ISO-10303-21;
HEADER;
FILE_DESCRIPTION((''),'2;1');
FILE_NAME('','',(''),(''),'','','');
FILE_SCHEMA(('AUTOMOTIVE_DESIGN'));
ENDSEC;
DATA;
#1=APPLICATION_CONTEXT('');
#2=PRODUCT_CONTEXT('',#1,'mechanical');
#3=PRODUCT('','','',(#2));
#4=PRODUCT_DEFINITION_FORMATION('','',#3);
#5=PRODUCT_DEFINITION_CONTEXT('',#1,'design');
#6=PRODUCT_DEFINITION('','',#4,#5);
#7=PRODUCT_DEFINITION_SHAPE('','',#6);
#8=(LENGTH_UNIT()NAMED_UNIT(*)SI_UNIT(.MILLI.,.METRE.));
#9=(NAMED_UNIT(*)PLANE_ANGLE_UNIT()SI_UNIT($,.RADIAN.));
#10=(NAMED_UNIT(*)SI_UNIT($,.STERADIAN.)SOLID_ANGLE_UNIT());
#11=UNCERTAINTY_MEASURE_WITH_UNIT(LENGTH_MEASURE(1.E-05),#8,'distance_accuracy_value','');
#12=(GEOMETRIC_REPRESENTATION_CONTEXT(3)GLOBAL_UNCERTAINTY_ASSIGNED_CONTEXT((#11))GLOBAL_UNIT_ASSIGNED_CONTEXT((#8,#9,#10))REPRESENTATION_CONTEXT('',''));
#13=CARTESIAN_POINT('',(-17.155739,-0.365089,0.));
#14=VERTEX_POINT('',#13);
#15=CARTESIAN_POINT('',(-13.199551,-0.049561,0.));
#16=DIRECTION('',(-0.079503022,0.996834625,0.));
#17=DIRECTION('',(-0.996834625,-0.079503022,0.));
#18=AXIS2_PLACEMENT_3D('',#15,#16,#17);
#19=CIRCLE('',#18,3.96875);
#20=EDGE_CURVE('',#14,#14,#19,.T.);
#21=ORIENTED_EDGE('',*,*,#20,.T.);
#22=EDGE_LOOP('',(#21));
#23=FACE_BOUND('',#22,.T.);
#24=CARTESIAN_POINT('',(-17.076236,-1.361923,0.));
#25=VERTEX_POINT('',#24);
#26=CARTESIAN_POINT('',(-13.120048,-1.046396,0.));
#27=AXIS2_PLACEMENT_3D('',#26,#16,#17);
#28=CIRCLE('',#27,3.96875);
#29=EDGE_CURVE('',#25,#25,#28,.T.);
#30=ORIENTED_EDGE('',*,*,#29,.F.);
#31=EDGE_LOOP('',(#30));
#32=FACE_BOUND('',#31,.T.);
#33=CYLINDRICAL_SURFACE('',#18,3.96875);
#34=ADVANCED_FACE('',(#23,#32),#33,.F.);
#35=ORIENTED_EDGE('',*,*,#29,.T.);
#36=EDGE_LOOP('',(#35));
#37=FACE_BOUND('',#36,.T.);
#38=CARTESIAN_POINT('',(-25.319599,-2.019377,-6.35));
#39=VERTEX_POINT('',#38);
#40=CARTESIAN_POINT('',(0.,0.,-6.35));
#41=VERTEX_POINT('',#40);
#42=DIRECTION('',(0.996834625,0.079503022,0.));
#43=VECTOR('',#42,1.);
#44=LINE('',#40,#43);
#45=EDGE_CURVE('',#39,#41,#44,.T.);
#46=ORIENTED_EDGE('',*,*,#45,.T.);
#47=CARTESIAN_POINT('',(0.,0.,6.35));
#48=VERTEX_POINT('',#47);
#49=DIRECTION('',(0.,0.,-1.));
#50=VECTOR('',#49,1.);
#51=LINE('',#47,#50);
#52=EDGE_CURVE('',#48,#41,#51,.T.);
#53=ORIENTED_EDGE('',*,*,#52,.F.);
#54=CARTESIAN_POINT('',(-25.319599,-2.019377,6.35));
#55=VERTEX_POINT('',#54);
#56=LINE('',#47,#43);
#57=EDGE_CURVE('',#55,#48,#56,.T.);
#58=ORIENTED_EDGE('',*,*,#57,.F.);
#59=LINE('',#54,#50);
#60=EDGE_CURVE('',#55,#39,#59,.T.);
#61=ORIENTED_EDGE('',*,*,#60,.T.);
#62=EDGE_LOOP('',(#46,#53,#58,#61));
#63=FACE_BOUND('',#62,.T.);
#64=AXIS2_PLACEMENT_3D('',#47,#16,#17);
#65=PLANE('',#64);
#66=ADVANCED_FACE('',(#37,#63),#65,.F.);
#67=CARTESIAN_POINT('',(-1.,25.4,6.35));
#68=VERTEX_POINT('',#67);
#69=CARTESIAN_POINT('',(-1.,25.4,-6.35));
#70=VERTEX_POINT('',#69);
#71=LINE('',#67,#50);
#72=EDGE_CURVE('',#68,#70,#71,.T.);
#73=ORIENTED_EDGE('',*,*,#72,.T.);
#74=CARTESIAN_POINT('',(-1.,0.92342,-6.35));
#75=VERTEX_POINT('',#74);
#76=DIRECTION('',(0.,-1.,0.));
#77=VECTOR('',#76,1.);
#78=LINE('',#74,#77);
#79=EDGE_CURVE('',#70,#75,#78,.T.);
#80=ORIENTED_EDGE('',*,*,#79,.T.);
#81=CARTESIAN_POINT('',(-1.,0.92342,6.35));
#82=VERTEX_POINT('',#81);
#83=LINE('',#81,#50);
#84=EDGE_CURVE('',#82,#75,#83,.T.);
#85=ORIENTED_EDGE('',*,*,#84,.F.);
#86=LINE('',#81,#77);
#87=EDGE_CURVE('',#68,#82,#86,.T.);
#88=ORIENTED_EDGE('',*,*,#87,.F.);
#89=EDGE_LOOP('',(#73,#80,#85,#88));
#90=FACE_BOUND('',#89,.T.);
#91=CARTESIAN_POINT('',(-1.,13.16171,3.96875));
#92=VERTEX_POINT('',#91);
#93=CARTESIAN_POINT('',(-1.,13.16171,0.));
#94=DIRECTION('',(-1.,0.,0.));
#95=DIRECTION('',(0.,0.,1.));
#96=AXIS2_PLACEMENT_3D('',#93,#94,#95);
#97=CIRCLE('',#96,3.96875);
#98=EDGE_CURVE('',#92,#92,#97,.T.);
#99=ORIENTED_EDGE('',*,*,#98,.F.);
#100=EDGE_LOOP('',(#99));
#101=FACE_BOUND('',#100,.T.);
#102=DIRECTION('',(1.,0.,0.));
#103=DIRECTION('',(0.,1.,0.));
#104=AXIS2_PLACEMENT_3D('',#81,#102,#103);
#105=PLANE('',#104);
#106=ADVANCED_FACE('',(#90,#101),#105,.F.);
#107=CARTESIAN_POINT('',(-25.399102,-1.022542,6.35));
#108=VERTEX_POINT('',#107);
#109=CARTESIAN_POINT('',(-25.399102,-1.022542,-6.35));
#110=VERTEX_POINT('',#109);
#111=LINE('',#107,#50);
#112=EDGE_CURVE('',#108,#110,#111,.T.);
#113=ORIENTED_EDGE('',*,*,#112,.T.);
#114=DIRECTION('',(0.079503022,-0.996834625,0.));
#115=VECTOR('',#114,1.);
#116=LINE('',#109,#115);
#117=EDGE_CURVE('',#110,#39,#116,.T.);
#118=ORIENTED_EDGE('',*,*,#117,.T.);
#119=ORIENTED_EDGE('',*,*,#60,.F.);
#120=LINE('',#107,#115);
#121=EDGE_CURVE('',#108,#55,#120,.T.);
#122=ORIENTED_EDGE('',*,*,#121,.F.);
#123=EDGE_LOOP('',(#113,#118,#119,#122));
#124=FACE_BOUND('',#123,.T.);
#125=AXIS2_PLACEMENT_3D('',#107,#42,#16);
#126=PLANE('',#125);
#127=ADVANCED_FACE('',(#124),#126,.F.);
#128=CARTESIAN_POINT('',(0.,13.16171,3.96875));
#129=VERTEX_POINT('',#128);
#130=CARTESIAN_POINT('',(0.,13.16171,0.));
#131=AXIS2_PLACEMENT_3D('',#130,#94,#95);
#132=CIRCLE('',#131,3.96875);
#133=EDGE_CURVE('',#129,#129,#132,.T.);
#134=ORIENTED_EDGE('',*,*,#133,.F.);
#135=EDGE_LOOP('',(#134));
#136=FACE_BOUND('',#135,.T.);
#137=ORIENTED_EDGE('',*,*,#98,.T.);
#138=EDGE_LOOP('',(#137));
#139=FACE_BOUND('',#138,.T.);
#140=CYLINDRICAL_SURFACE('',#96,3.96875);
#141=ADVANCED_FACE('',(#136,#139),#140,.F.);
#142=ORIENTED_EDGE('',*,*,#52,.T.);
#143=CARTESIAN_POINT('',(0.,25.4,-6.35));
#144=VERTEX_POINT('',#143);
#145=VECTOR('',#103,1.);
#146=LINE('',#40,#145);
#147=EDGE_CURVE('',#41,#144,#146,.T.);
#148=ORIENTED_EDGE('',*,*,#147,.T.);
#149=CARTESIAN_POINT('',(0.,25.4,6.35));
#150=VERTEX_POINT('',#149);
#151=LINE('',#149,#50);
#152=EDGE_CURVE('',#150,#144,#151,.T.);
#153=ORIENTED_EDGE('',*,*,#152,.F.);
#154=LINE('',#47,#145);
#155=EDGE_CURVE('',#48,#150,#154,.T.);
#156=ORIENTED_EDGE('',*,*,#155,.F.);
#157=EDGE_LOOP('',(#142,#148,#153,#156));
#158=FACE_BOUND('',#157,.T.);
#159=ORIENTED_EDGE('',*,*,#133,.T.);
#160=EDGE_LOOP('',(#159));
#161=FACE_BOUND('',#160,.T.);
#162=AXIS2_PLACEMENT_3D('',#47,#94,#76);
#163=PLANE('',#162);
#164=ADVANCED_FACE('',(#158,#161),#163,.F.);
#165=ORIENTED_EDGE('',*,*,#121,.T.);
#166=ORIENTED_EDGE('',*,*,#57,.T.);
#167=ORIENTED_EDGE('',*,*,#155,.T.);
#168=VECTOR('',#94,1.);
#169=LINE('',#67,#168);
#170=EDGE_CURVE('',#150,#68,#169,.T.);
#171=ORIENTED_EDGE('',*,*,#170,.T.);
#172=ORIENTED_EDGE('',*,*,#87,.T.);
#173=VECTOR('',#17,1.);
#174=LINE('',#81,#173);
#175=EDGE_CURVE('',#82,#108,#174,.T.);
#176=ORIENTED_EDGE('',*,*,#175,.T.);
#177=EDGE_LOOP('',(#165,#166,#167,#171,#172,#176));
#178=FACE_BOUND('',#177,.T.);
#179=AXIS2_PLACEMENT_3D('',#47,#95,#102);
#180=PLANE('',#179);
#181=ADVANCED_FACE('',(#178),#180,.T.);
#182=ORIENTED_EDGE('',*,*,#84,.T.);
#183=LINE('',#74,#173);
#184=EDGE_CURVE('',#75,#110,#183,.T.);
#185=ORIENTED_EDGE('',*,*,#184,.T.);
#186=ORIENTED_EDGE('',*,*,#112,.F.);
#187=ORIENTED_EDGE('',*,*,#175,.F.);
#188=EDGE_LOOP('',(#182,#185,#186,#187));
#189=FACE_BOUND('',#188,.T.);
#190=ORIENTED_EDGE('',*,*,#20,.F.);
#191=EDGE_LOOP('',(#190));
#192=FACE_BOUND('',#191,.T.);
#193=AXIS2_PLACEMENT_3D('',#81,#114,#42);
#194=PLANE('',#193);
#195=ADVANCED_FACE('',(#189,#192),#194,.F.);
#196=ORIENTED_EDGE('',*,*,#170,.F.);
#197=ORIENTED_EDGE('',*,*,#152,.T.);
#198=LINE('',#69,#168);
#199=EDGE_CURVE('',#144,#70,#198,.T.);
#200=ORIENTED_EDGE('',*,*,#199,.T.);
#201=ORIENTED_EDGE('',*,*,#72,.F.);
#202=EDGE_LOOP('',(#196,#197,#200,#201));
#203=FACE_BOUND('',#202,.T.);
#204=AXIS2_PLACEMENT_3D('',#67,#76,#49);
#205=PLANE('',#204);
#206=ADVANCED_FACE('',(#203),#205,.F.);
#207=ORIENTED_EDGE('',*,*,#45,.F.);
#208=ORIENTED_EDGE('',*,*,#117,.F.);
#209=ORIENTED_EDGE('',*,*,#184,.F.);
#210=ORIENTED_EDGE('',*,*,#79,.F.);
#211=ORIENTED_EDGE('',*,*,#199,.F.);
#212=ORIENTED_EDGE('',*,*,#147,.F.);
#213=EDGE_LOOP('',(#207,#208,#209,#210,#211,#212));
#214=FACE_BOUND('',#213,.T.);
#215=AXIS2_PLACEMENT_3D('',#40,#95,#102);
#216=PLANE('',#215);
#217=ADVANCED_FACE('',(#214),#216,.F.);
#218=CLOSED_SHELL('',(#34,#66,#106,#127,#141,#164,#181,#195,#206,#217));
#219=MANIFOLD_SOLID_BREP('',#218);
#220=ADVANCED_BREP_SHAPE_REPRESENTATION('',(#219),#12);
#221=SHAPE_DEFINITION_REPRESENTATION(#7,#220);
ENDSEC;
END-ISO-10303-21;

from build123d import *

# Parameters (mm, degrees)
BOSS_EXTRUDE1_DEPTH            = 6.35
F_5_16_0_3125_DIAMETER_HOLE1_D = 7.9375
F_5_16_0_3125_DIAMETER_HOLE2_D = 7.9375


with BuildPart() as part:
    # Sketch1 → Boss-Extrude1 (new body, symmetric)
    with BuildSketch(Plane.XY):
        Polygon((0, 0), (0, 25.4), (-1, 25.4), (-1, 0.923419949), (-25.399102496, -1.022542132), (-25.319599474, -2.019376756), align=None)
    extrude(amount=BOSS_EXTRUDE1_DEPTH, both=True)

    # 5/16 (0.3125) Diameter Hole1 (through all)
    with Locations(Plane(origin=(-1, 13.161709974, 0), x_dir=(0, -1, 0), z_dir=(-1, 0, 0))):
        with Locations((0, 0)):
            Hole(F_5_16_0_3125_DIAMETER_HOLE1_D / 2)

    # 5/16 (0.3125) Diameter Hole2 (through all)
    with Locations(Plane(origin=(-13.199551248, -0.049561091, 0), x_dir=(0.996834625, 0.079503022, 0), z_dir=(-0.079503022, 0.996834625, 0))):
        with Locations((0, 0)):
            Hole(F_5_16_0_3125_DIAMETER_HOLE2_D / 2)


solid = part.part
